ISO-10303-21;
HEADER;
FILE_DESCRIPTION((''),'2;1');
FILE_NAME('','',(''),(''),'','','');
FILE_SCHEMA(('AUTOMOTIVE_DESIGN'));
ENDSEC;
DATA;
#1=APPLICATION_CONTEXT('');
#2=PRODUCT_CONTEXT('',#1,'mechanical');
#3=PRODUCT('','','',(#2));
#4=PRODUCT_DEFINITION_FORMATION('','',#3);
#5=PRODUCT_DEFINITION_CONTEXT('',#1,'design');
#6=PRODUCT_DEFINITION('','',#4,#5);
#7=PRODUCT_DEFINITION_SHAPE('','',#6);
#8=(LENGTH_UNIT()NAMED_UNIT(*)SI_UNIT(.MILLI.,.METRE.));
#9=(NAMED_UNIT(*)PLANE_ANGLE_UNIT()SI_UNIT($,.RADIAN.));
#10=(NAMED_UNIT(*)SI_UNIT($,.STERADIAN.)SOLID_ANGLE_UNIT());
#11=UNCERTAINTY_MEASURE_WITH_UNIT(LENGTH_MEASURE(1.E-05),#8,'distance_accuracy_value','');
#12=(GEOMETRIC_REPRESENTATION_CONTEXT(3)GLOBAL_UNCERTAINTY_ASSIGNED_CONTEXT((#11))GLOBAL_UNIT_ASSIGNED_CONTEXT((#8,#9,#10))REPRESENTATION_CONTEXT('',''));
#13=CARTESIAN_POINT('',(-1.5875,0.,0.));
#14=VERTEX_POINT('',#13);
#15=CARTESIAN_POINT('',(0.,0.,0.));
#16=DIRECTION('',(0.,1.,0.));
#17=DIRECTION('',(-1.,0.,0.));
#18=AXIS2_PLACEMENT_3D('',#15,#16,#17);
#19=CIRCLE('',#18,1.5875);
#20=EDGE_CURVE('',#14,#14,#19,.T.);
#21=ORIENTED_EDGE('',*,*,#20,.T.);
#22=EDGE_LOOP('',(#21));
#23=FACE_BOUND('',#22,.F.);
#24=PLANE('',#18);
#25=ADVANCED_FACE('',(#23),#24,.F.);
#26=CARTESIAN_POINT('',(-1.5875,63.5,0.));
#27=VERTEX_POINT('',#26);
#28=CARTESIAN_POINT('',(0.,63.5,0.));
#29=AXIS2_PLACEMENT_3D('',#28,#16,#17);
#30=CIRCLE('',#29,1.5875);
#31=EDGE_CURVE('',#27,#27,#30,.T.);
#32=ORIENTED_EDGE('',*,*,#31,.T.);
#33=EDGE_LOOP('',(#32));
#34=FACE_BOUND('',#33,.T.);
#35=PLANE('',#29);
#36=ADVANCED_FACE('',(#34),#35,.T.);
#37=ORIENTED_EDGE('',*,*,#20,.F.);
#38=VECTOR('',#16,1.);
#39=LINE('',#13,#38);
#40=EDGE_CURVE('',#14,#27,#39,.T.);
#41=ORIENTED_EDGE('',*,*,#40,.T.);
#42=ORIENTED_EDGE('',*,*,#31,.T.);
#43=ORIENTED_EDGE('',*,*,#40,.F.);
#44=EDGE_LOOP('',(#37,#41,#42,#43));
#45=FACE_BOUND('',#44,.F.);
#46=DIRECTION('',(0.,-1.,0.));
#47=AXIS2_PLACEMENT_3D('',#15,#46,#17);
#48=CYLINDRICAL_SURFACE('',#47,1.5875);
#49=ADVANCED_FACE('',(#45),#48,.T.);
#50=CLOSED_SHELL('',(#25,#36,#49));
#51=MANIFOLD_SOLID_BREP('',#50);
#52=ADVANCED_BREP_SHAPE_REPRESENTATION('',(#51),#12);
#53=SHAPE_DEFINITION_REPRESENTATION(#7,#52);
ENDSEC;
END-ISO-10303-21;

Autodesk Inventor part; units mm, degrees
ref_plane "YZ Plane" through (0, 0, 0) normal (1, 0, 0) x (0, 1, 0)
ref_plane "XZ Plane" through (0, 0, 0) normal (0, 1, 0) x (-1, 0, 0)
ref_plane "XY Plane" through (0, 0, 0) normal (0, 0, 1) x (1, 0, 0)
sketch "Sketch1" plane through (0, 0, 0) normal (0, 1, 0) x (-1, 0, 0)
  circle A0 centre (0, 0) radius 1.5875
  dimension "d0" = 3.175
extrude "Extrusion1" add sketch "Sketch1" along normal blind 63.5
properties part number "screw"
